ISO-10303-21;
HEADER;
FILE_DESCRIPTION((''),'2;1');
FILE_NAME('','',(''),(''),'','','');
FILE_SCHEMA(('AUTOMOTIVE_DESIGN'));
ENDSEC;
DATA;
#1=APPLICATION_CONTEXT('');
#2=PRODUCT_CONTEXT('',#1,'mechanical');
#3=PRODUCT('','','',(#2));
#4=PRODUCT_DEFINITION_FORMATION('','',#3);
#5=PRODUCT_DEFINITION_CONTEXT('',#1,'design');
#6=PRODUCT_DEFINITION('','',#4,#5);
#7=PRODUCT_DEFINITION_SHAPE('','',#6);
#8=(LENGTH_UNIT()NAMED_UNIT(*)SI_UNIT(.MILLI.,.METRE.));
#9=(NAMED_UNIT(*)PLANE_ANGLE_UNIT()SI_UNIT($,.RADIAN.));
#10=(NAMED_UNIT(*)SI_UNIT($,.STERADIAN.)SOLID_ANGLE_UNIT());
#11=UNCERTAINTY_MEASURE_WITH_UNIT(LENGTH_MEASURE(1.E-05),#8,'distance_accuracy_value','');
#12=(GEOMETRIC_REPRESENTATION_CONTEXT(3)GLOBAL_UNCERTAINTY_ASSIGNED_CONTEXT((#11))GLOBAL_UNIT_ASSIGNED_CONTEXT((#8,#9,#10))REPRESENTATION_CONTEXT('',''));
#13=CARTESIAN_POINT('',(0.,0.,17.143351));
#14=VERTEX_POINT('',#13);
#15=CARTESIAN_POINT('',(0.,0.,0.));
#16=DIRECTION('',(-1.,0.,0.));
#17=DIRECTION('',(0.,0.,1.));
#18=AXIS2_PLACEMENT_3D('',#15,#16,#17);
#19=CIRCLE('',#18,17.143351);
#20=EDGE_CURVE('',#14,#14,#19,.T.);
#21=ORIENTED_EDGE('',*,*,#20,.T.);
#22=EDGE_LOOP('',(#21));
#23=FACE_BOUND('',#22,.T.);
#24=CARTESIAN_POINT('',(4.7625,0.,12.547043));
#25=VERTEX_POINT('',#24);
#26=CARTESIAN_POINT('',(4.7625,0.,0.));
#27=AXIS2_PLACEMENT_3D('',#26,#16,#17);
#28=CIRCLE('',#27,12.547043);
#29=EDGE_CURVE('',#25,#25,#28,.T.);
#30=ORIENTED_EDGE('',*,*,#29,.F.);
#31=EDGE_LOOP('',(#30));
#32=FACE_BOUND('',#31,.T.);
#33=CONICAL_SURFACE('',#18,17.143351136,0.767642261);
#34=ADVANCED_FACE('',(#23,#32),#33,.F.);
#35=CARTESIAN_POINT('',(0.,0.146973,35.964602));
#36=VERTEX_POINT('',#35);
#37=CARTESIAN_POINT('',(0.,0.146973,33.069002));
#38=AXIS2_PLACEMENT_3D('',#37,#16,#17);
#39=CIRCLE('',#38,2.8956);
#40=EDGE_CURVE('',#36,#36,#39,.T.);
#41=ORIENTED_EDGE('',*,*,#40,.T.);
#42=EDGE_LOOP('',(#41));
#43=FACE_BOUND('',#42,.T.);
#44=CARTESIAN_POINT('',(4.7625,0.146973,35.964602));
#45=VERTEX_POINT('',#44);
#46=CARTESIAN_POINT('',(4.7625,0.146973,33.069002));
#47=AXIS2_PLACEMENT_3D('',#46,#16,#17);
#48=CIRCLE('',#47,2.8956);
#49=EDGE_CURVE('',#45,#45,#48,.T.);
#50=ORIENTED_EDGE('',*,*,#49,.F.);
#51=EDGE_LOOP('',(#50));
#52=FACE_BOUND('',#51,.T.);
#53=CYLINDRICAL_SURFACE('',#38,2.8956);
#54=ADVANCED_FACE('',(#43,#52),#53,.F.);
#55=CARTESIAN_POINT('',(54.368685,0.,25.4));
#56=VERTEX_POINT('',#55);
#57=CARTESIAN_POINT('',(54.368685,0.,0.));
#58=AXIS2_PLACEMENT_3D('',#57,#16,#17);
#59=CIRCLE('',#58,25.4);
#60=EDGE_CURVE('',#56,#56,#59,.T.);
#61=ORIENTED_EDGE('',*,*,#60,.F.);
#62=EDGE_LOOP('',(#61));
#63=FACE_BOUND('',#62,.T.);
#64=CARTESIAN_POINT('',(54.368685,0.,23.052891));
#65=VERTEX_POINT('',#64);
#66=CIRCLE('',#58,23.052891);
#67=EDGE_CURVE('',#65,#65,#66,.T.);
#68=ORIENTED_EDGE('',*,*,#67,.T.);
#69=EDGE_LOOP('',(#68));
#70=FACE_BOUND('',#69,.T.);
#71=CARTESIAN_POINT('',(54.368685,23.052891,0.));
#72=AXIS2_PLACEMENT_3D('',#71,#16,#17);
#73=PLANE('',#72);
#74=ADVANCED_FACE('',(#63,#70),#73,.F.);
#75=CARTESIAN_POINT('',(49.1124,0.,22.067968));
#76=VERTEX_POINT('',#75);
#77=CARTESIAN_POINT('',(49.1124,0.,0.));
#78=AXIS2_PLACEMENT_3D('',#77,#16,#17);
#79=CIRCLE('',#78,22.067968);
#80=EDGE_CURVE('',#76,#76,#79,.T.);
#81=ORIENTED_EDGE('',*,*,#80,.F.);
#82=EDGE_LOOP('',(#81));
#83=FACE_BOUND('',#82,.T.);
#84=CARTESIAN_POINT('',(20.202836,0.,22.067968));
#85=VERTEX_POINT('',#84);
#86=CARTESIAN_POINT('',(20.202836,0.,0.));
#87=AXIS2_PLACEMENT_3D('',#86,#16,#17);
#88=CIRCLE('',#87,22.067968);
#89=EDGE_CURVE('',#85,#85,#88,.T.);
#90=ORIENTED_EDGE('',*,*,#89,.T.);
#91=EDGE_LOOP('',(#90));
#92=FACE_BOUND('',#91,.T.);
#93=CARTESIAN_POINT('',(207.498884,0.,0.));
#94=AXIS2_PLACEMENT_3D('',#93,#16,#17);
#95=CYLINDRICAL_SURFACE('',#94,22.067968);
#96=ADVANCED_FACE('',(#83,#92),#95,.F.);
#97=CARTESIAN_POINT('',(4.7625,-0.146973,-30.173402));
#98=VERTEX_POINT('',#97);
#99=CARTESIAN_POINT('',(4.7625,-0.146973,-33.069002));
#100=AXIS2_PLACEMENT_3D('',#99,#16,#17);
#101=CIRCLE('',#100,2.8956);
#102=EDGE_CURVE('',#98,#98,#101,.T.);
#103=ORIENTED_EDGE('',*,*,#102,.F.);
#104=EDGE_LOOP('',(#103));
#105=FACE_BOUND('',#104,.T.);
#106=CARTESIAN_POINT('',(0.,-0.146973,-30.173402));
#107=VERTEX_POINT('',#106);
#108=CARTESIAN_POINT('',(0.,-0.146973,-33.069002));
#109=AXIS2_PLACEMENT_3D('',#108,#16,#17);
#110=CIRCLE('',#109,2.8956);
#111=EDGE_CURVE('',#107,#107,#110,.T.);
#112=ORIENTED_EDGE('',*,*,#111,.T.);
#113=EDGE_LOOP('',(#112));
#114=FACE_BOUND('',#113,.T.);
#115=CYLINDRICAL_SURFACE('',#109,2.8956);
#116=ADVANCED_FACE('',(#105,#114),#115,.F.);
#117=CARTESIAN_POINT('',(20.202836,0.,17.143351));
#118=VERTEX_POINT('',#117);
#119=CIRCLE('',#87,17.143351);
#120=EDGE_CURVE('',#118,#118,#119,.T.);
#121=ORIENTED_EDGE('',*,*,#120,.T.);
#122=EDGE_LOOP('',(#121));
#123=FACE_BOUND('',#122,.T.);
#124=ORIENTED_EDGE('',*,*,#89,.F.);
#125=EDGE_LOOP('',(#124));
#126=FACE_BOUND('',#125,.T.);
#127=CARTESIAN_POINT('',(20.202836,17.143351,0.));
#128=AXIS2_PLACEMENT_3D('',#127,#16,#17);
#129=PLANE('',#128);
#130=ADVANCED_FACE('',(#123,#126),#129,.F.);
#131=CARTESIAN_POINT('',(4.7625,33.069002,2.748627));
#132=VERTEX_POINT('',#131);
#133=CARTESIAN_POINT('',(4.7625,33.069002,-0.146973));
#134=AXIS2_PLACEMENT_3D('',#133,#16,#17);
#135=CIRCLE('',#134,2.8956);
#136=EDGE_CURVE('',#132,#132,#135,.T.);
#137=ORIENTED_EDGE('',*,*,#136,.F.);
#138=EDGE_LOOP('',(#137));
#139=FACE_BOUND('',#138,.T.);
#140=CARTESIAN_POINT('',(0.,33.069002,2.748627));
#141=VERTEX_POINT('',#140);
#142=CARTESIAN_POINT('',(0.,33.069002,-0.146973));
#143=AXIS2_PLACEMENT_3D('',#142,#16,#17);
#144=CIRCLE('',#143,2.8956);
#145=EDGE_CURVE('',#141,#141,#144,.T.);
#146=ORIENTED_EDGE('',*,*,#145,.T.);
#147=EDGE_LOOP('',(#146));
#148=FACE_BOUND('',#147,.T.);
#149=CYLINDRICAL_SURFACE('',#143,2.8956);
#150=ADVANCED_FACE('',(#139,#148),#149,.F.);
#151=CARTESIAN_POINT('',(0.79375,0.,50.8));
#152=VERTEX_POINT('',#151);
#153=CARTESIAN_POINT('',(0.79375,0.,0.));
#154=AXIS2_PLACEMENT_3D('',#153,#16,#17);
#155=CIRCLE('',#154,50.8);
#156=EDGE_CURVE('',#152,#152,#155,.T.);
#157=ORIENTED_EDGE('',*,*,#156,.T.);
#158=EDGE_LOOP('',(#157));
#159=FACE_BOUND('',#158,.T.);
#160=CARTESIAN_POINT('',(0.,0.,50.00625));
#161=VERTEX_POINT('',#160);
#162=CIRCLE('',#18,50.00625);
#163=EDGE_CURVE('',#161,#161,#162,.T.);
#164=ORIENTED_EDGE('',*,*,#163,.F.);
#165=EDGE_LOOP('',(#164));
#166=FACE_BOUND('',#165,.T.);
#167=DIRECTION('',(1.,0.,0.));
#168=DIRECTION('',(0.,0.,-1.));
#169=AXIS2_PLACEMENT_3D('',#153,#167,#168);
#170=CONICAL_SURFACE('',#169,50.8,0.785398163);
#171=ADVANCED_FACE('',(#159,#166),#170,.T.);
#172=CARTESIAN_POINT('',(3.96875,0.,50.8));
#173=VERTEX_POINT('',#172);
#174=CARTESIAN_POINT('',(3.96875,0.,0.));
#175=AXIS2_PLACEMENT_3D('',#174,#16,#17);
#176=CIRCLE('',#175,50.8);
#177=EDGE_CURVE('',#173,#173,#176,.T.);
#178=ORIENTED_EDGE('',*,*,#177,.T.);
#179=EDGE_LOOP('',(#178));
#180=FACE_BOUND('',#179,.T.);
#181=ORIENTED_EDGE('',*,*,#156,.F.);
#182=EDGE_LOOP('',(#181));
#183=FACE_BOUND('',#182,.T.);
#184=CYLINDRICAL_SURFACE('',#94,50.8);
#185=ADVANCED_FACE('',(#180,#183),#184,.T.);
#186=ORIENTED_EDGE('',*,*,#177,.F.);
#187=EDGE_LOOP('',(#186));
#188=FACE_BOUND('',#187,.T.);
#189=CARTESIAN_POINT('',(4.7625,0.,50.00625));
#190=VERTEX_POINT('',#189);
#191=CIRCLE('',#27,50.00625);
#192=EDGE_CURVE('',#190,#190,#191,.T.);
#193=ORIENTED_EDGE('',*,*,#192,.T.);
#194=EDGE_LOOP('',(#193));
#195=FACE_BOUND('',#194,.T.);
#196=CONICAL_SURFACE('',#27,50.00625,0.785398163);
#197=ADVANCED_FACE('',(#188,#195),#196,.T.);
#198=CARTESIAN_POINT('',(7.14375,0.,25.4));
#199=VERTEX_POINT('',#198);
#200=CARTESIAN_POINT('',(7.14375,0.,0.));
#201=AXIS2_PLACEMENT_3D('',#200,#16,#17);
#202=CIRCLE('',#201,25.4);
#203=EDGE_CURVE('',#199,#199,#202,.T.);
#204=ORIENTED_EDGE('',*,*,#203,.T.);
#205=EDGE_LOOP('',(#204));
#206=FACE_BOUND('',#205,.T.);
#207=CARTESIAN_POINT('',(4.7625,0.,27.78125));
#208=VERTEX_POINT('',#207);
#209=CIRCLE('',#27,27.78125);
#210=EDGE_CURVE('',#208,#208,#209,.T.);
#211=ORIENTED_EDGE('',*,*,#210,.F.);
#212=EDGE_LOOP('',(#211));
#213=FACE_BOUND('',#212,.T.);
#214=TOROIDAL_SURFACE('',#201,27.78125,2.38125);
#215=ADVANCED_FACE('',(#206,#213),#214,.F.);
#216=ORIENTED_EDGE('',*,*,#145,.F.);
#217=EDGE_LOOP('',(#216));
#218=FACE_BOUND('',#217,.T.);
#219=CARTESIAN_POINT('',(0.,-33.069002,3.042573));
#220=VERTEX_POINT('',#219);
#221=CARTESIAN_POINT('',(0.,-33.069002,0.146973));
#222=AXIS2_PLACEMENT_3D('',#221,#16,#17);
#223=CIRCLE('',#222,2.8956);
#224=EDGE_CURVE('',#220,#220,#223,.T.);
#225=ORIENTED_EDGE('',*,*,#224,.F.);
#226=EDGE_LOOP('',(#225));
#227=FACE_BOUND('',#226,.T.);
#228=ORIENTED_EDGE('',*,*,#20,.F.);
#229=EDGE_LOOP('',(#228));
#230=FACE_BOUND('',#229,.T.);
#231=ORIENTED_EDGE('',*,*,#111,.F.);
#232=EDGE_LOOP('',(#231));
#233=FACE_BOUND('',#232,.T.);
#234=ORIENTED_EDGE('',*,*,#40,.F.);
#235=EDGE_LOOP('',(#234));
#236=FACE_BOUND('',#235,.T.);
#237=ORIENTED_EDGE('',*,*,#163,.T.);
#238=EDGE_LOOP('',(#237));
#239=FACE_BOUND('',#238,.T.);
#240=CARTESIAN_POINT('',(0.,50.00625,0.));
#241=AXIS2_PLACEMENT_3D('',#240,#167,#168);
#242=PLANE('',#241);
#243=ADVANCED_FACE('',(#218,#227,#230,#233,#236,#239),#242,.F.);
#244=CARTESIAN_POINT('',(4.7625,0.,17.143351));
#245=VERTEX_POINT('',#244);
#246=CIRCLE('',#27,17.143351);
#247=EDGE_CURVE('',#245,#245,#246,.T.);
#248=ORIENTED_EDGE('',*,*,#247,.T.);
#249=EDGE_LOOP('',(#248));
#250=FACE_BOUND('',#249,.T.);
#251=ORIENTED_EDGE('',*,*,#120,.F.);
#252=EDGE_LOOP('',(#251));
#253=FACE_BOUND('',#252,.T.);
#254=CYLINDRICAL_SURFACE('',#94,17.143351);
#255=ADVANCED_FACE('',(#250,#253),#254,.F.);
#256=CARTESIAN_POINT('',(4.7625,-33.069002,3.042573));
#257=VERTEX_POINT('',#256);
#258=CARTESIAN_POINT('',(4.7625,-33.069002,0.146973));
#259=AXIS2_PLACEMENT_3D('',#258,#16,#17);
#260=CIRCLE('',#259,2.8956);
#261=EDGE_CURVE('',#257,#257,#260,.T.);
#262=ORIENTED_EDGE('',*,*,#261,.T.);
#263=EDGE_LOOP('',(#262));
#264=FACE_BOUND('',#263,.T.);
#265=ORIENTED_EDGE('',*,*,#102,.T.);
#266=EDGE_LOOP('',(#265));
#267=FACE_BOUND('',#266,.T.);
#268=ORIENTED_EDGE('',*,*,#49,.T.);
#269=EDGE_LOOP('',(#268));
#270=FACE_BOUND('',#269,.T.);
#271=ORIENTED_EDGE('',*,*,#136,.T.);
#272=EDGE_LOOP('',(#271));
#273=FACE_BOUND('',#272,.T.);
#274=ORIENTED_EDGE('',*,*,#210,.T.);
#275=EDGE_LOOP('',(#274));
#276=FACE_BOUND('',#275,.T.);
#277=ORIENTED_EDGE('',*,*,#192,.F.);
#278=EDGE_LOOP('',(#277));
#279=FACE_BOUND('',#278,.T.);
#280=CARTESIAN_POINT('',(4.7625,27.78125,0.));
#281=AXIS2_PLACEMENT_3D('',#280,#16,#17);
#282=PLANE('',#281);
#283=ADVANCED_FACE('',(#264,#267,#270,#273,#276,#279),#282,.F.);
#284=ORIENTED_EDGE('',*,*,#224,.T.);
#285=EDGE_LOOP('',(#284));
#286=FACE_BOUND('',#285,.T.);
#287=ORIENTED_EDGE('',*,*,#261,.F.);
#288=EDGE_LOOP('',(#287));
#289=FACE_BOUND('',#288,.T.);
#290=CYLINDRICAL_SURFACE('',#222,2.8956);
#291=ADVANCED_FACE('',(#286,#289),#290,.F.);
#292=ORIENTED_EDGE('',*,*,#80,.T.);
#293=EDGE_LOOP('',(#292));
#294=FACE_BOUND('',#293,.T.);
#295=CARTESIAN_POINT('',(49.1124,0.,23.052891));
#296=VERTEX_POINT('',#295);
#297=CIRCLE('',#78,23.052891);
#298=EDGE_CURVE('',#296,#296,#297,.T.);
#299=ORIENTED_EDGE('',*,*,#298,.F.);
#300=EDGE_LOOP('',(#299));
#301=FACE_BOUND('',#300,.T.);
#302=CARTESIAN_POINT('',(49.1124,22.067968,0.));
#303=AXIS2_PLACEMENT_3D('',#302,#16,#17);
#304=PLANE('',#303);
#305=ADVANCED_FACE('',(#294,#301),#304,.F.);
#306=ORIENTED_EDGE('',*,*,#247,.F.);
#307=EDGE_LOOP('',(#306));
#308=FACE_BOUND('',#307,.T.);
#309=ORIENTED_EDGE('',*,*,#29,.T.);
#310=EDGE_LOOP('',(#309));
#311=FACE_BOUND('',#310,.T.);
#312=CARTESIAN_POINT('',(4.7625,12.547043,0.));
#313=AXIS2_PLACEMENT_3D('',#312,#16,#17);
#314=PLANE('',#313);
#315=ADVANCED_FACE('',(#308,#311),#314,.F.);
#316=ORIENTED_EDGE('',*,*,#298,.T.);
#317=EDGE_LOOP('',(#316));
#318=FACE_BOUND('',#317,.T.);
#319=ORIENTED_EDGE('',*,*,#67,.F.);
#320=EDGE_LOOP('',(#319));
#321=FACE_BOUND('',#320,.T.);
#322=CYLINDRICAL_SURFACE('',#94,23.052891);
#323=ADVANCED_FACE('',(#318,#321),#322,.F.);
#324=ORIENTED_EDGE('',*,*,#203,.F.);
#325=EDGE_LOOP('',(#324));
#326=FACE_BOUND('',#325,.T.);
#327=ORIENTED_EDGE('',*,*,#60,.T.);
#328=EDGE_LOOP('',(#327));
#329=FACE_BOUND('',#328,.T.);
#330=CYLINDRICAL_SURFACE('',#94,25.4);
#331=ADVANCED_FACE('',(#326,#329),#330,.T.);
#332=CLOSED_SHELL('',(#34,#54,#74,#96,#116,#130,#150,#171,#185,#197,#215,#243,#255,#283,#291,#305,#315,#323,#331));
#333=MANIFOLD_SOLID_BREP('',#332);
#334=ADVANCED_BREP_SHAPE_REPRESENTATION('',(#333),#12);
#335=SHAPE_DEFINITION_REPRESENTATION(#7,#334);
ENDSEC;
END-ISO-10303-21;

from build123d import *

# Parameters (mm, degrees)
F_12_CLEARANCE_HOLE1_D = 5.7912
CIRPATTERN1_COUNT      = 4


with BuildPart() as part:
    # Sketch1 → Revolve1 (revolve)
    with BuildSketch(Plane.XY):
        with BuildLine():
            Line((4.7625, 12.547042688), (4.7625, 17.143351136))
            Line((4.7625, 17.143351136), (20.20283565, 17.143351136))
            Line((20.20283565, 17.143351136), (20.20283565, 22.067968078))
            Line((20.20283565, 22.067968078), (49.112399892, 22.067968078))
            Line((49.112399892, 22.067968078), (49.112399892, 23.05289127))
            Line((49.112399892, 23.05289127), (54.368684681, 23.05289127))
            Line((54.368684681, 23.05289127), (54.368684681, 25.4))
            Line((54.368684681, 25.4), (7.14375, 25.4))
            ThreePointArc((7.14375, 25.4), (5.459951977, 26.097451977), (4.7625, 27.78125))
            Line((4.7625, 27.78125), (4.7625, 50.00625))
            Line((4.7625, 50.00625), (3.96875, 50.8))
            Line((3.96875, 50.8), (0.79375, 50.8))
            Line((0.79375, 50.8), (0, 50.00625))
            Line((0, 50.00625), (0, 17.143351136))
            Line((0, 17.143351136), (4.7625, 12.547042688))
        make_face()
    revolve(axis=Axis((207.498884421, 0, 0), (1, 0, 0)))

    # #12 Clearance Hole1 (through all)
    with Locations(Plane(origin=(0, 33.069002249, -0.146973343), x_dir=(0, 0, -1), z_dir=(-1, 0, 0))):
        with Locations((0, 0)):
            f_12_clearance_hole1 = Hole(F_12_CLEARANCE_HOLE1_D / 2)

    # CirPattern1: #12 Clearance Hole1 ×4 about axis
    cirpattern1_axis = Axis((0, 0, 0), (1, 0, 0))
    for i in range(1, CIRPATTERN1_COUNT):
        add(f_12_clearance_hole1.rotate(cirpattern1_axis, i * 360 / CIRPATTERN1_COUNT), mode=Mode.SUBTRACT)


solid = part.part
